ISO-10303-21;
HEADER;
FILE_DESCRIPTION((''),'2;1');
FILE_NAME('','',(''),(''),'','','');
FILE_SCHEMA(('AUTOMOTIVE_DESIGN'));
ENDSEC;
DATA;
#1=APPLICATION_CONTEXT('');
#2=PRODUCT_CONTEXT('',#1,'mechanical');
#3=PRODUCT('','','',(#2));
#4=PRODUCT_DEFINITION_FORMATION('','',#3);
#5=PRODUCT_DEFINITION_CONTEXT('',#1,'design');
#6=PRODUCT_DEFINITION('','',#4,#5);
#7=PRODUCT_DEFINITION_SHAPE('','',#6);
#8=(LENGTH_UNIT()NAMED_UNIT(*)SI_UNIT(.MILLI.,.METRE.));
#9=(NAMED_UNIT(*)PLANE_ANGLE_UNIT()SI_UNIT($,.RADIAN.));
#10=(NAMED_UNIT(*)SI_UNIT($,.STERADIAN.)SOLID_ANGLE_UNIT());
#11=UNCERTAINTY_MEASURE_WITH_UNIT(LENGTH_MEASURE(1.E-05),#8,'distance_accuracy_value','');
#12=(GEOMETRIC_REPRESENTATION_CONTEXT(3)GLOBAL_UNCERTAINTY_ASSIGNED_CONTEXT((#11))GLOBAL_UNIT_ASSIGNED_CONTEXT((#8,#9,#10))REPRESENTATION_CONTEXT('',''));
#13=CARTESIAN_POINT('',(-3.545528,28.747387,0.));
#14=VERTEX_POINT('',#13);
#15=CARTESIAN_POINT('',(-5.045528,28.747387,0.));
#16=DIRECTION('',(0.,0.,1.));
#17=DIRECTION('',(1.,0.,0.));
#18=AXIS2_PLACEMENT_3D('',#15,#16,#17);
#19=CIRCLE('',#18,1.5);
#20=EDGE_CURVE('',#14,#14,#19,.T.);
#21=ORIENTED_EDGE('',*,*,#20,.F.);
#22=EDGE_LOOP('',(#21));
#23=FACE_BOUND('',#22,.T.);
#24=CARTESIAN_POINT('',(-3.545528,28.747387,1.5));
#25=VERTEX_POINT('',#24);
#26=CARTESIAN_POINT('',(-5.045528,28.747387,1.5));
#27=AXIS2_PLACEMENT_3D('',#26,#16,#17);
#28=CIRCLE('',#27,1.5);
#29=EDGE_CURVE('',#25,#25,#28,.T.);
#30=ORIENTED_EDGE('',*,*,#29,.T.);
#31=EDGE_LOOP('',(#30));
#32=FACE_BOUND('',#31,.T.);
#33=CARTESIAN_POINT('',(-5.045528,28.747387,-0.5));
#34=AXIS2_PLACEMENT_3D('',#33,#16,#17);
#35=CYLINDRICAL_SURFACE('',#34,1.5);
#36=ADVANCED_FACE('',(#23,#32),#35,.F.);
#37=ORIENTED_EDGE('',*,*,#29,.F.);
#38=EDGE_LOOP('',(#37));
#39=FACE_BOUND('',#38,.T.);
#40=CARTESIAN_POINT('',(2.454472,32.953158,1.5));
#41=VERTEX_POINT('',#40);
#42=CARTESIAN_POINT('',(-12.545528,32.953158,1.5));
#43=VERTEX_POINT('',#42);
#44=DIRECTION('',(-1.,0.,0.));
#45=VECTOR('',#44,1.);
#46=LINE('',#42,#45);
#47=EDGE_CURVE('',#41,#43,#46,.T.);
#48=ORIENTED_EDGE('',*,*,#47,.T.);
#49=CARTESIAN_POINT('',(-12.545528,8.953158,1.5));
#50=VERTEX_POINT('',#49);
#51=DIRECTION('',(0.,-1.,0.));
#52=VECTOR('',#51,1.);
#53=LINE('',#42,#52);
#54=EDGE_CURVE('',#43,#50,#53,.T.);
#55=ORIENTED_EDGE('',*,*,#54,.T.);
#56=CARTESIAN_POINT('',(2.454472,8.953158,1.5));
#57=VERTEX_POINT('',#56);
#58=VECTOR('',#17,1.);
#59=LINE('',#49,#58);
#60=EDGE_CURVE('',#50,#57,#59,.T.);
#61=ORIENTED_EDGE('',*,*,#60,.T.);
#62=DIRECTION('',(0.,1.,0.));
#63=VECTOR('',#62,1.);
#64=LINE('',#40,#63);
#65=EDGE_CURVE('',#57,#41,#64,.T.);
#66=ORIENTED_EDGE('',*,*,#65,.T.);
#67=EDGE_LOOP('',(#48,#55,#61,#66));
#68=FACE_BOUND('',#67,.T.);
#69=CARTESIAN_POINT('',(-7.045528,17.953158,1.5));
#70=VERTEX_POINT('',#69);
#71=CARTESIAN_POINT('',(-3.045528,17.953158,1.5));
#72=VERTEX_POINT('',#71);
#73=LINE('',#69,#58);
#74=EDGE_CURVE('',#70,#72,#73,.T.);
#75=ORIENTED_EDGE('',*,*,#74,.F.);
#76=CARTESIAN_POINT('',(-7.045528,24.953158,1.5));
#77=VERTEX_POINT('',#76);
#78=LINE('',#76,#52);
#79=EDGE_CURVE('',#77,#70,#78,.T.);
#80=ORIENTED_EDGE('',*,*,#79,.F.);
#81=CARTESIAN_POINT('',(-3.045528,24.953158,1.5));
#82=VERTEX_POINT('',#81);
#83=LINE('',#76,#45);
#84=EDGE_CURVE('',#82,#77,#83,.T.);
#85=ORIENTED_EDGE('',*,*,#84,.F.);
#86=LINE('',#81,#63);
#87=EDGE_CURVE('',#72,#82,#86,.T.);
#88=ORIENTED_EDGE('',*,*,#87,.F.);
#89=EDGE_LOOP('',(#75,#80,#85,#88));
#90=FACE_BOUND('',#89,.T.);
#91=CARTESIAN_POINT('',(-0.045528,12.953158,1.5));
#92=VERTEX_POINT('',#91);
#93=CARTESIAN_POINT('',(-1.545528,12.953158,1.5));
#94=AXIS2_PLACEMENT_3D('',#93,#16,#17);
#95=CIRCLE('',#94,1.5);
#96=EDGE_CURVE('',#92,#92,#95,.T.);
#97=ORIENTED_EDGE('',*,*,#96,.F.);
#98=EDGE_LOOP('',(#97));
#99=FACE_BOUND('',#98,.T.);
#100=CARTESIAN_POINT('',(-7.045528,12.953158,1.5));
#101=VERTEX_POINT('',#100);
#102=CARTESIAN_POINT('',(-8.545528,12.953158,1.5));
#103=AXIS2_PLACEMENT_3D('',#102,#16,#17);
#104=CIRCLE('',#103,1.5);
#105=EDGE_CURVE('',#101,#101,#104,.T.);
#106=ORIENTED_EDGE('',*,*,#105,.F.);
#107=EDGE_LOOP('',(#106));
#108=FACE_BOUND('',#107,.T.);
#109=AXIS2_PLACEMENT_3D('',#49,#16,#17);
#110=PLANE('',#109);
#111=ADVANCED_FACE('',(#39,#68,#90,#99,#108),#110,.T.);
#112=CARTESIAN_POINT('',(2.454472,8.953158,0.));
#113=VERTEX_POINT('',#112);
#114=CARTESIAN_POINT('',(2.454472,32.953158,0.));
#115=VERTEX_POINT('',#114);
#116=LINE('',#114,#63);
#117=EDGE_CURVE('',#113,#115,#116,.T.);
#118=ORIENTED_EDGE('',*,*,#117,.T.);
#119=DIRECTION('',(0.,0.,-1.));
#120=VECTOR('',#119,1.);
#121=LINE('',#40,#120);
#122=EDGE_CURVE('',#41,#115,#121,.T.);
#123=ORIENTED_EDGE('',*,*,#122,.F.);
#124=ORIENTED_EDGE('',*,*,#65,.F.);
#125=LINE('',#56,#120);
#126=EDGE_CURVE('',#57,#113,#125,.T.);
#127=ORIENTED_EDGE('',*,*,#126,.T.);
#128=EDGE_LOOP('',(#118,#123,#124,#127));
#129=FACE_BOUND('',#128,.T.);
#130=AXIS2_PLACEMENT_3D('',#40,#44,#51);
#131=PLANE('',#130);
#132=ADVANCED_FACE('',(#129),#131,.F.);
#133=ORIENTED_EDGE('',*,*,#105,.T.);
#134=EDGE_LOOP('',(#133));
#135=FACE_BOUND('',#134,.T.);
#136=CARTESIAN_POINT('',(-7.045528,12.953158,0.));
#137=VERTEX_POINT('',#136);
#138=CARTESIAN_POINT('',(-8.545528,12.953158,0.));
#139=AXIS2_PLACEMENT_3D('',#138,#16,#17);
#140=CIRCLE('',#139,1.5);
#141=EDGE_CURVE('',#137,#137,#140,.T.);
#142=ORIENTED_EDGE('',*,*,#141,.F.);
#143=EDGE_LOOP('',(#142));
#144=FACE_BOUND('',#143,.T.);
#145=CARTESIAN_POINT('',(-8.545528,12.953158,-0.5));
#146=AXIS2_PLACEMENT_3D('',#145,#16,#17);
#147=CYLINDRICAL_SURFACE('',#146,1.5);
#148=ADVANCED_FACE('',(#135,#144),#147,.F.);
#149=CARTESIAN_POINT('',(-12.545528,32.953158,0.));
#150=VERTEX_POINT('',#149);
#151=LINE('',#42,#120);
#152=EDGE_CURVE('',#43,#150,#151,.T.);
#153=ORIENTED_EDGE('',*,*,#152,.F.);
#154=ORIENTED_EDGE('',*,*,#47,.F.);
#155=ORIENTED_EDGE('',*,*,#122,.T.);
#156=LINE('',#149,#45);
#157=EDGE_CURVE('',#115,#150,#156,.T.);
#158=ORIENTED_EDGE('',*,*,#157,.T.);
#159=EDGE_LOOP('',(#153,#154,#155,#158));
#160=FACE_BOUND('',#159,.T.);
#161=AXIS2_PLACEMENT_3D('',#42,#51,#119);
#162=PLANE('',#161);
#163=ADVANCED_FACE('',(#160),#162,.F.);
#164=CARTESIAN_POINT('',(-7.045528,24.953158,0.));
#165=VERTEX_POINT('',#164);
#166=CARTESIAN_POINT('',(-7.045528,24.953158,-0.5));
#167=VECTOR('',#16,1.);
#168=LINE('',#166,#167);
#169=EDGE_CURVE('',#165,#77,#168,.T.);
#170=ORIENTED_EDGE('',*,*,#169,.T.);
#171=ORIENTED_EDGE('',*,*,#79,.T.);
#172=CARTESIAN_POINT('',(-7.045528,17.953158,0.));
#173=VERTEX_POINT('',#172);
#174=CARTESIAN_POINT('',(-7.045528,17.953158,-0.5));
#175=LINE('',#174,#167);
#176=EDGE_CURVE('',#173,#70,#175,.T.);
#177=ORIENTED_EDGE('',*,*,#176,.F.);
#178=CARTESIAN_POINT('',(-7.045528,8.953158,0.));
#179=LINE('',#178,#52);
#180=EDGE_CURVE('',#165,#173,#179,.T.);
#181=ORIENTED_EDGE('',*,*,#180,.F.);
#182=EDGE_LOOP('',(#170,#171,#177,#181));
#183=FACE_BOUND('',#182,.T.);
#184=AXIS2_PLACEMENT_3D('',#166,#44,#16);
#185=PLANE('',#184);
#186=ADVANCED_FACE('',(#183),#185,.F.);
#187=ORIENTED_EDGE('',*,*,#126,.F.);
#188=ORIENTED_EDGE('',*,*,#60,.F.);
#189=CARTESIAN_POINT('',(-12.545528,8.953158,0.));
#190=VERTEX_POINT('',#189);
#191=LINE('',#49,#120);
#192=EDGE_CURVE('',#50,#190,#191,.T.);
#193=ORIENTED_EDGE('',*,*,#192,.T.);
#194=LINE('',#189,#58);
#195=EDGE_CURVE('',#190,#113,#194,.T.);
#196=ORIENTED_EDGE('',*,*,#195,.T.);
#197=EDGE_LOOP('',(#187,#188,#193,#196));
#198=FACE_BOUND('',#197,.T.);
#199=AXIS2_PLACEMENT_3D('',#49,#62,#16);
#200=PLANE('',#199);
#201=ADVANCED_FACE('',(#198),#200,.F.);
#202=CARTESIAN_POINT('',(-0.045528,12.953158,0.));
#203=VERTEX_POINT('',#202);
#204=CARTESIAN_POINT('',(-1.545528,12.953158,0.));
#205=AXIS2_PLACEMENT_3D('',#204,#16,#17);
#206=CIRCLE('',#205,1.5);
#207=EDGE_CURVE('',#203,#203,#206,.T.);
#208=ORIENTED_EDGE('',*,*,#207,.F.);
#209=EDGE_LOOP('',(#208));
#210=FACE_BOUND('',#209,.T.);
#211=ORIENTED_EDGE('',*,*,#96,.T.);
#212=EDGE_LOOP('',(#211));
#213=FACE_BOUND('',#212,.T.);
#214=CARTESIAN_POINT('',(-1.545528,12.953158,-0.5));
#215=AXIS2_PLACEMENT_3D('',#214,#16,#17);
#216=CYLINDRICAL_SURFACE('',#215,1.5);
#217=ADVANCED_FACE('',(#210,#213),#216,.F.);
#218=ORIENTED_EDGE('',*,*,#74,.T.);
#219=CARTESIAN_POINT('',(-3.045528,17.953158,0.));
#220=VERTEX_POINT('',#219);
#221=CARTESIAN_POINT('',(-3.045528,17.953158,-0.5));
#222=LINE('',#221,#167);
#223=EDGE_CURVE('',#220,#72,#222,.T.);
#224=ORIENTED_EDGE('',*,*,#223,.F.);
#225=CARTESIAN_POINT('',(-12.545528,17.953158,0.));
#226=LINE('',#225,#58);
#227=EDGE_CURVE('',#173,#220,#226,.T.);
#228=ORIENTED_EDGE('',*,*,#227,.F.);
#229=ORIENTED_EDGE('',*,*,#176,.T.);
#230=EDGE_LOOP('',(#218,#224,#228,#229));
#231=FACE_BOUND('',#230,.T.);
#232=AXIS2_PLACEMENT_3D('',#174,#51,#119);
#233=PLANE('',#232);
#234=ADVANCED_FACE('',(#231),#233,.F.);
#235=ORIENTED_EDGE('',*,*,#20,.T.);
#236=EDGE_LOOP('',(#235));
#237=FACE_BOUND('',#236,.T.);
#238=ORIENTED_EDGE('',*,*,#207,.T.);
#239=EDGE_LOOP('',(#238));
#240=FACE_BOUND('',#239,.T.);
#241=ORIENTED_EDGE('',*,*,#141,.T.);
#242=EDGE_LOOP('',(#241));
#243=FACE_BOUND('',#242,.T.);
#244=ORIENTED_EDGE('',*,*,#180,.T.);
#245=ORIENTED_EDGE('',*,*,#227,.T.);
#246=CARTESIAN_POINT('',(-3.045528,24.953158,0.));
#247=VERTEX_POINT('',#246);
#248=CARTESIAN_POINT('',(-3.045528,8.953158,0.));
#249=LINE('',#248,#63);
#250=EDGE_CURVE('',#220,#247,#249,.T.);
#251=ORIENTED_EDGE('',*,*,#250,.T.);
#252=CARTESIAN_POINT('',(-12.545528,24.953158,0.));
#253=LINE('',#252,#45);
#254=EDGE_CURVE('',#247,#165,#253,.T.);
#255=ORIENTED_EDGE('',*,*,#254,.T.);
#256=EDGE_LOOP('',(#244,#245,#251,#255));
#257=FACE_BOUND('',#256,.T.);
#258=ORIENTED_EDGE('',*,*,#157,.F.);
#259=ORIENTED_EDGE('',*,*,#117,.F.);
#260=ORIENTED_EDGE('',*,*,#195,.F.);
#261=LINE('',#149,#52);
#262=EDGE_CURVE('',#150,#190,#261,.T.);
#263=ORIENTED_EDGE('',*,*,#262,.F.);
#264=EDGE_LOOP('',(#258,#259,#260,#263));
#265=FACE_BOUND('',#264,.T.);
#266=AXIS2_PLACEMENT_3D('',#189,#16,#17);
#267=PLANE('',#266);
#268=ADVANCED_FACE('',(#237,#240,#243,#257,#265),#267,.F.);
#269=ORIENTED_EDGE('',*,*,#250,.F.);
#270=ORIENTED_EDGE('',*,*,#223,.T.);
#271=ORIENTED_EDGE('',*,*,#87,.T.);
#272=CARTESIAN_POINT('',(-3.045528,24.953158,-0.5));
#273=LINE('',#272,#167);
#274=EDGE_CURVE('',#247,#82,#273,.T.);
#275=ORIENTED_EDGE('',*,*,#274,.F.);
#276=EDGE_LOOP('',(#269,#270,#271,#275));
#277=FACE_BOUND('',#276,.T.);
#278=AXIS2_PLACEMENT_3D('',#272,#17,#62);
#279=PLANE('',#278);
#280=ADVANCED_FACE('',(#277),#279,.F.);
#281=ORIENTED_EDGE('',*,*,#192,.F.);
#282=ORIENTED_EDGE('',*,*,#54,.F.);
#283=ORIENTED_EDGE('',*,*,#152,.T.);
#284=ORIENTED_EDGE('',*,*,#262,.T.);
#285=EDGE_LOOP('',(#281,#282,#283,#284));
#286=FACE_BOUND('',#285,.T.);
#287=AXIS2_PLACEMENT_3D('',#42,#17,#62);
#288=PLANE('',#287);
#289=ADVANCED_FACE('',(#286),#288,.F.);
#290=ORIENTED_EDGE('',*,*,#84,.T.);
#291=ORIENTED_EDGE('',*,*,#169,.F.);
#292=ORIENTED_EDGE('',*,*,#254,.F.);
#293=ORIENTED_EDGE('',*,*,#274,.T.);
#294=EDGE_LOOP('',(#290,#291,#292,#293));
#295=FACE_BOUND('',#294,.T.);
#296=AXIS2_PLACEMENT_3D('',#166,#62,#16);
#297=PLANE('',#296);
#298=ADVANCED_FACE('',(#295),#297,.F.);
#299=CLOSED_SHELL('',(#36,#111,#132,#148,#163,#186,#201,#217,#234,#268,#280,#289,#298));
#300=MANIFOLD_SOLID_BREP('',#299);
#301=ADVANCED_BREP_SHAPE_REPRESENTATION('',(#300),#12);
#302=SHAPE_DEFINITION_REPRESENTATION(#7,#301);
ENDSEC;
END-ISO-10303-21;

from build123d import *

# Parameters (mm, degrees)
ESQUISSE1_W      = 15
ESQUISSE1_H      = 24
EXTRUSION1_DEPTH = 1.5
ESQUISSE2_R      = 1.5
ESQUISSE2_W      = 4
ESQUISSE2_H      = 7
EXTRUSION2_DEPTH = 2


with BuildPart() as part:
    # Esquisse1 → Extrusion1 (new body)
    with BuildSketch(Plane.XY):
        with Locations((-5.045528485, 20.953157895)):
            Rectangle(ESQUISSE1_W, ESQUISSE1_H)
    extrude(amount=EXTRUSION1_DEPTH)

    # Esquisse2 → Extrusion2 (cut)
    with BuildSketch(Plane.XY.offset(1.5)):
        with Locations((-8.545528485, 12.953157895)):
            Circle(ESQUISSE2_R)
        with Locations((-1.545528485, 12.953157895)):
            Circle(ESQUISSE2_R)
        with Locations((-5.045528485, 28.747386529)):
            Circle(ESQUISSE2_R)
        with Locations((-5.045528485, 21.453157895)):
            Rectangle(ESQUISSE2_W, ESQUISSE2_H)
    extrude(amount=-EXTRUSION2_DEPTH, mode=Mode.SUBTRACT)


solid = part.part
